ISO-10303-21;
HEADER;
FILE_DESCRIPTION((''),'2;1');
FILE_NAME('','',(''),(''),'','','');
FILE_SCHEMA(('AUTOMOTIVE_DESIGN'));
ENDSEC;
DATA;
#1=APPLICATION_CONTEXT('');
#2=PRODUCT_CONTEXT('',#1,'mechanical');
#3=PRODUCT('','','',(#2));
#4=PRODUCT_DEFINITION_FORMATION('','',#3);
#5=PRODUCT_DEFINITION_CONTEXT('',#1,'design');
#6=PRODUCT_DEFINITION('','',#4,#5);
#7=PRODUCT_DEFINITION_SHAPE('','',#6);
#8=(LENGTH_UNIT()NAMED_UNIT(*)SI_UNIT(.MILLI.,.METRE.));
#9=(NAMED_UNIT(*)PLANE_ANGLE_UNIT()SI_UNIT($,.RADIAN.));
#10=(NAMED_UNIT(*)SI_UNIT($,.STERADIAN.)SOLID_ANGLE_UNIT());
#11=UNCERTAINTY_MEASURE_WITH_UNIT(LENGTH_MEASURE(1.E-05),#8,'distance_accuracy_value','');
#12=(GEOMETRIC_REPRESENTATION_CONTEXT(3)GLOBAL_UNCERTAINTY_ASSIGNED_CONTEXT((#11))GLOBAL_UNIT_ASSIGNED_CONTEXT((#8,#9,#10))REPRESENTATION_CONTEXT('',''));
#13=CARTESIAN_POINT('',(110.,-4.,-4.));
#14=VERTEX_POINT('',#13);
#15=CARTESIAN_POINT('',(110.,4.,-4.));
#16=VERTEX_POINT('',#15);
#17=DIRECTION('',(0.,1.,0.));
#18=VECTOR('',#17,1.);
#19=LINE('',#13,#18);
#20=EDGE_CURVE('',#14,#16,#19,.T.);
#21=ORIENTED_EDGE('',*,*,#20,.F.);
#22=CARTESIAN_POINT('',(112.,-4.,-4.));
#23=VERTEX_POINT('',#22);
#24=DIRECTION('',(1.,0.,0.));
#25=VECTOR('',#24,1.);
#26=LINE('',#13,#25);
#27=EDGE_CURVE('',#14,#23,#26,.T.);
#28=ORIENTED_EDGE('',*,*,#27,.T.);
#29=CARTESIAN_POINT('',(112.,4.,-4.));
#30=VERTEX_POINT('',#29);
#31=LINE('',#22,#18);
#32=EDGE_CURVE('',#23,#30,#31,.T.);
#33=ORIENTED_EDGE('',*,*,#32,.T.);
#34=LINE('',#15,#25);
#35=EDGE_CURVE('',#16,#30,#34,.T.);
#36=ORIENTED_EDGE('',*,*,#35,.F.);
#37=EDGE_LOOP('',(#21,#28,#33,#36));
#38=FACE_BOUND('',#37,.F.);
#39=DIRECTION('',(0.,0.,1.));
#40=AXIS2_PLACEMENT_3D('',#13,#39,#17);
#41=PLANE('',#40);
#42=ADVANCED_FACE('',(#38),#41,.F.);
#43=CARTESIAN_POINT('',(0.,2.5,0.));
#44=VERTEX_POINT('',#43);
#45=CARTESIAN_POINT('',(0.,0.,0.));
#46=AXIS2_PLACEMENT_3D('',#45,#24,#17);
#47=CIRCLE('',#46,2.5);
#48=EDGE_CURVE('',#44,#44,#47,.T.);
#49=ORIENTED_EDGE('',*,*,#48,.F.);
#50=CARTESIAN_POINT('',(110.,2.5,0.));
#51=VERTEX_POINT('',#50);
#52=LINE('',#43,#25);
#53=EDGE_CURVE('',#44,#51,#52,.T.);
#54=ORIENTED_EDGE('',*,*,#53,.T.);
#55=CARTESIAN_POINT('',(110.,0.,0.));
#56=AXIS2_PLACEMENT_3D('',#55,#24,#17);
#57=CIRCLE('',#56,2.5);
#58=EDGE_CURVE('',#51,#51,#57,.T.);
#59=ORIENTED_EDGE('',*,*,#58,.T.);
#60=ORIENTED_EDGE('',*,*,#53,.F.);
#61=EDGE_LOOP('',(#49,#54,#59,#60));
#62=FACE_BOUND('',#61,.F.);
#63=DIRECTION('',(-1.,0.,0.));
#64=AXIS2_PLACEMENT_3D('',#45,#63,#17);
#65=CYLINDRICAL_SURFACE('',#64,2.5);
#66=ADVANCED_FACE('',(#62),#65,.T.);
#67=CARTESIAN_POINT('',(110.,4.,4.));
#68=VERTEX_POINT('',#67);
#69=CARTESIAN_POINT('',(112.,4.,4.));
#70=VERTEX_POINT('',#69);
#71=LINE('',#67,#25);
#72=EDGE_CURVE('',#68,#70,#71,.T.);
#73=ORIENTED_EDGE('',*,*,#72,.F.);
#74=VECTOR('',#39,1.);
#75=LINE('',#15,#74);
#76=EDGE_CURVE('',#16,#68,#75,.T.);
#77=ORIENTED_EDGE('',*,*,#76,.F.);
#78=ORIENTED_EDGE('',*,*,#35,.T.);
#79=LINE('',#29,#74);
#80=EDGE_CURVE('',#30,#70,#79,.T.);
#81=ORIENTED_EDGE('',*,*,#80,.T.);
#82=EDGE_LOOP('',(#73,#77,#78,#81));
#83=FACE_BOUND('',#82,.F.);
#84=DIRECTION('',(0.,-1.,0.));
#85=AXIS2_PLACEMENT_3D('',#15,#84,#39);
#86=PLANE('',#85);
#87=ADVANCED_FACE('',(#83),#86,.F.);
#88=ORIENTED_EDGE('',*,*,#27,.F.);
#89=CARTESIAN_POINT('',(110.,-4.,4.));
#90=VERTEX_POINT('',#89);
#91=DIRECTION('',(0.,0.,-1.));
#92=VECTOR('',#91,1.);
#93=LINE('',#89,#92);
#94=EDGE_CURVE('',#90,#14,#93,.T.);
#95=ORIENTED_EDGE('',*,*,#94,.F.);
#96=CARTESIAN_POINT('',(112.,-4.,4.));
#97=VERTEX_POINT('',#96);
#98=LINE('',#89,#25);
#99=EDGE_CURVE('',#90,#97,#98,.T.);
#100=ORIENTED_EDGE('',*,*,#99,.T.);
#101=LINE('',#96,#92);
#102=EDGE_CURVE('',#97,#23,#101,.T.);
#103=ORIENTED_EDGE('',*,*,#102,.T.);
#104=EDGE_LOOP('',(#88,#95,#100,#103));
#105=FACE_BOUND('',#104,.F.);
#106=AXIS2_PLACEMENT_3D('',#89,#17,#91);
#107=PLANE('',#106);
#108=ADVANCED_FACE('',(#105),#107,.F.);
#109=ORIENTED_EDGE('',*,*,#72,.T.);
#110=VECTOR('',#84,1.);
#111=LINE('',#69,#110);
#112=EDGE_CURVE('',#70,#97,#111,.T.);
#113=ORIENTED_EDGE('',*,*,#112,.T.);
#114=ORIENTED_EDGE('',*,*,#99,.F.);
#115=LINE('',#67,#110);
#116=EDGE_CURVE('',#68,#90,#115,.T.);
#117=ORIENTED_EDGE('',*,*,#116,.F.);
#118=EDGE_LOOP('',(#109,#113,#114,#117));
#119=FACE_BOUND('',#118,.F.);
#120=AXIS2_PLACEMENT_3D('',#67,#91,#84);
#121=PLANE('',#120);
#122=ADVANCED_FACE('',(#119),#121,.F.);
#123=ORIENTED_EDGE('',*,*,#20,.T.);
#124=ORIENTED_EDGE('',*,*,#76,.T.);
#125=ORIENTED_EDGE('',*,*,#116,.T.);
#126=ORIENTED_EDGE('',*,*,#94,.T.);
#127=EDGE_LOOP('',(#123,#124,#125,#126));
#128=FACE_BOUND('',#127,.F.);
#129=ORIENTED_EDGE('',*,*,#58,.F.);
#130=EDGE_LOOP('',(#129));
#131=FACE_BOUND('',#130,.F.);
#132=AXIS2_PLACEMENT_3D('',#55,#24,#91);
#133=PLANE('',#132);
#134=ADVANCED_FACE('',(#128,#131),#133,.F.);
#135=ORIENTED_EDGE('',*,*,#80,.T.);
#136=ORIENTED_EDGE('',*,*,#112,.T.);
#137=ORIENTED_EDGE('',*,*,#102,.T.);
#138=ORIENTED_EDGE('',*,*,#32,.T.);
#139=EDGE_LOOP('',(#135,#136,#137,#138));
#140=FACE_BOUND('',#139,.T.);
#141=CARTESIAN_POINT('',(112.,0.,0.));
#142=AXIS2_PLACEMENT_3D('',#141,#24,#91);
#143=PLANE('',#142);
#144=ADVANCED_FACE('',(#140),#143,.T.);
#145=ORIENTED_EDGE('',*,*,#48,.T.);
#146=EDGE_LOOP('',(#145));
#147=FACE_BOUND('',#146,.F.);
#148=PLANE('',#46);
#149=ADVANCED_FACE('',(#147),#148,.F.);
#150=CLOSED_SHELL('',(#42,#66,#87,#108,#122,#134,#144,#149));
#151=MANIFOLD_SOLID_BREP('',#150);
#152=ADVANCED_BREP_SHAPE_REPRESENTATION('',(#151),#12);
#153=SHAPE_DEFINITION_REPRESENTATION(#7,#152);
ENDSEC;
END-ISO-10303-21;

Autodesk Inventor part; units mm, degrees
ref_plane "YZ Plane" through (0, 0, 0) normal (1, 0, 0) x (0, 1, 0)
ref_plane "XZ Plane" through (0, 0, 0) normal (0, 1, 0) x (-1, 0, 0)
ref_plane "XY Plane" through (0, 0, 0) normal (0, 0, 1) x (1, 0, 0)
sketch "Sketch1" plane through (0, 0, 0) normal (1, 0, 0) x (0, 1, 0)
  circle A0 centre (0, 0) radius 2.5
  dimension "d0" = 5
extrude "Extrusion1" add sketch "Sketch1" along normal blind 110
sketch "Sketch2" plane through (110, 0, 0) normal (1, 0, 0) x (0, 0, -1)
  circle A0 centre (0, 0) radius 2.5 construction
  line L0 (4, 4) -> (-4, 4)
  line L1 (-4, 4) -> (-4, -4)
  line L2 (-4, -4) -> (4, -4)
  line L3 (4, -4) -> (4, 4)
  line L4 (4, 4) -> (-4, -4) construction
  line L5 (-4, 4) -> (4, -4) construction
  dimension "d5" = 8
  dimension "d6" = 8
extrude "Extrusion2" add sketch "Sketch2" along normal blind 2
properties part number "shaft"
